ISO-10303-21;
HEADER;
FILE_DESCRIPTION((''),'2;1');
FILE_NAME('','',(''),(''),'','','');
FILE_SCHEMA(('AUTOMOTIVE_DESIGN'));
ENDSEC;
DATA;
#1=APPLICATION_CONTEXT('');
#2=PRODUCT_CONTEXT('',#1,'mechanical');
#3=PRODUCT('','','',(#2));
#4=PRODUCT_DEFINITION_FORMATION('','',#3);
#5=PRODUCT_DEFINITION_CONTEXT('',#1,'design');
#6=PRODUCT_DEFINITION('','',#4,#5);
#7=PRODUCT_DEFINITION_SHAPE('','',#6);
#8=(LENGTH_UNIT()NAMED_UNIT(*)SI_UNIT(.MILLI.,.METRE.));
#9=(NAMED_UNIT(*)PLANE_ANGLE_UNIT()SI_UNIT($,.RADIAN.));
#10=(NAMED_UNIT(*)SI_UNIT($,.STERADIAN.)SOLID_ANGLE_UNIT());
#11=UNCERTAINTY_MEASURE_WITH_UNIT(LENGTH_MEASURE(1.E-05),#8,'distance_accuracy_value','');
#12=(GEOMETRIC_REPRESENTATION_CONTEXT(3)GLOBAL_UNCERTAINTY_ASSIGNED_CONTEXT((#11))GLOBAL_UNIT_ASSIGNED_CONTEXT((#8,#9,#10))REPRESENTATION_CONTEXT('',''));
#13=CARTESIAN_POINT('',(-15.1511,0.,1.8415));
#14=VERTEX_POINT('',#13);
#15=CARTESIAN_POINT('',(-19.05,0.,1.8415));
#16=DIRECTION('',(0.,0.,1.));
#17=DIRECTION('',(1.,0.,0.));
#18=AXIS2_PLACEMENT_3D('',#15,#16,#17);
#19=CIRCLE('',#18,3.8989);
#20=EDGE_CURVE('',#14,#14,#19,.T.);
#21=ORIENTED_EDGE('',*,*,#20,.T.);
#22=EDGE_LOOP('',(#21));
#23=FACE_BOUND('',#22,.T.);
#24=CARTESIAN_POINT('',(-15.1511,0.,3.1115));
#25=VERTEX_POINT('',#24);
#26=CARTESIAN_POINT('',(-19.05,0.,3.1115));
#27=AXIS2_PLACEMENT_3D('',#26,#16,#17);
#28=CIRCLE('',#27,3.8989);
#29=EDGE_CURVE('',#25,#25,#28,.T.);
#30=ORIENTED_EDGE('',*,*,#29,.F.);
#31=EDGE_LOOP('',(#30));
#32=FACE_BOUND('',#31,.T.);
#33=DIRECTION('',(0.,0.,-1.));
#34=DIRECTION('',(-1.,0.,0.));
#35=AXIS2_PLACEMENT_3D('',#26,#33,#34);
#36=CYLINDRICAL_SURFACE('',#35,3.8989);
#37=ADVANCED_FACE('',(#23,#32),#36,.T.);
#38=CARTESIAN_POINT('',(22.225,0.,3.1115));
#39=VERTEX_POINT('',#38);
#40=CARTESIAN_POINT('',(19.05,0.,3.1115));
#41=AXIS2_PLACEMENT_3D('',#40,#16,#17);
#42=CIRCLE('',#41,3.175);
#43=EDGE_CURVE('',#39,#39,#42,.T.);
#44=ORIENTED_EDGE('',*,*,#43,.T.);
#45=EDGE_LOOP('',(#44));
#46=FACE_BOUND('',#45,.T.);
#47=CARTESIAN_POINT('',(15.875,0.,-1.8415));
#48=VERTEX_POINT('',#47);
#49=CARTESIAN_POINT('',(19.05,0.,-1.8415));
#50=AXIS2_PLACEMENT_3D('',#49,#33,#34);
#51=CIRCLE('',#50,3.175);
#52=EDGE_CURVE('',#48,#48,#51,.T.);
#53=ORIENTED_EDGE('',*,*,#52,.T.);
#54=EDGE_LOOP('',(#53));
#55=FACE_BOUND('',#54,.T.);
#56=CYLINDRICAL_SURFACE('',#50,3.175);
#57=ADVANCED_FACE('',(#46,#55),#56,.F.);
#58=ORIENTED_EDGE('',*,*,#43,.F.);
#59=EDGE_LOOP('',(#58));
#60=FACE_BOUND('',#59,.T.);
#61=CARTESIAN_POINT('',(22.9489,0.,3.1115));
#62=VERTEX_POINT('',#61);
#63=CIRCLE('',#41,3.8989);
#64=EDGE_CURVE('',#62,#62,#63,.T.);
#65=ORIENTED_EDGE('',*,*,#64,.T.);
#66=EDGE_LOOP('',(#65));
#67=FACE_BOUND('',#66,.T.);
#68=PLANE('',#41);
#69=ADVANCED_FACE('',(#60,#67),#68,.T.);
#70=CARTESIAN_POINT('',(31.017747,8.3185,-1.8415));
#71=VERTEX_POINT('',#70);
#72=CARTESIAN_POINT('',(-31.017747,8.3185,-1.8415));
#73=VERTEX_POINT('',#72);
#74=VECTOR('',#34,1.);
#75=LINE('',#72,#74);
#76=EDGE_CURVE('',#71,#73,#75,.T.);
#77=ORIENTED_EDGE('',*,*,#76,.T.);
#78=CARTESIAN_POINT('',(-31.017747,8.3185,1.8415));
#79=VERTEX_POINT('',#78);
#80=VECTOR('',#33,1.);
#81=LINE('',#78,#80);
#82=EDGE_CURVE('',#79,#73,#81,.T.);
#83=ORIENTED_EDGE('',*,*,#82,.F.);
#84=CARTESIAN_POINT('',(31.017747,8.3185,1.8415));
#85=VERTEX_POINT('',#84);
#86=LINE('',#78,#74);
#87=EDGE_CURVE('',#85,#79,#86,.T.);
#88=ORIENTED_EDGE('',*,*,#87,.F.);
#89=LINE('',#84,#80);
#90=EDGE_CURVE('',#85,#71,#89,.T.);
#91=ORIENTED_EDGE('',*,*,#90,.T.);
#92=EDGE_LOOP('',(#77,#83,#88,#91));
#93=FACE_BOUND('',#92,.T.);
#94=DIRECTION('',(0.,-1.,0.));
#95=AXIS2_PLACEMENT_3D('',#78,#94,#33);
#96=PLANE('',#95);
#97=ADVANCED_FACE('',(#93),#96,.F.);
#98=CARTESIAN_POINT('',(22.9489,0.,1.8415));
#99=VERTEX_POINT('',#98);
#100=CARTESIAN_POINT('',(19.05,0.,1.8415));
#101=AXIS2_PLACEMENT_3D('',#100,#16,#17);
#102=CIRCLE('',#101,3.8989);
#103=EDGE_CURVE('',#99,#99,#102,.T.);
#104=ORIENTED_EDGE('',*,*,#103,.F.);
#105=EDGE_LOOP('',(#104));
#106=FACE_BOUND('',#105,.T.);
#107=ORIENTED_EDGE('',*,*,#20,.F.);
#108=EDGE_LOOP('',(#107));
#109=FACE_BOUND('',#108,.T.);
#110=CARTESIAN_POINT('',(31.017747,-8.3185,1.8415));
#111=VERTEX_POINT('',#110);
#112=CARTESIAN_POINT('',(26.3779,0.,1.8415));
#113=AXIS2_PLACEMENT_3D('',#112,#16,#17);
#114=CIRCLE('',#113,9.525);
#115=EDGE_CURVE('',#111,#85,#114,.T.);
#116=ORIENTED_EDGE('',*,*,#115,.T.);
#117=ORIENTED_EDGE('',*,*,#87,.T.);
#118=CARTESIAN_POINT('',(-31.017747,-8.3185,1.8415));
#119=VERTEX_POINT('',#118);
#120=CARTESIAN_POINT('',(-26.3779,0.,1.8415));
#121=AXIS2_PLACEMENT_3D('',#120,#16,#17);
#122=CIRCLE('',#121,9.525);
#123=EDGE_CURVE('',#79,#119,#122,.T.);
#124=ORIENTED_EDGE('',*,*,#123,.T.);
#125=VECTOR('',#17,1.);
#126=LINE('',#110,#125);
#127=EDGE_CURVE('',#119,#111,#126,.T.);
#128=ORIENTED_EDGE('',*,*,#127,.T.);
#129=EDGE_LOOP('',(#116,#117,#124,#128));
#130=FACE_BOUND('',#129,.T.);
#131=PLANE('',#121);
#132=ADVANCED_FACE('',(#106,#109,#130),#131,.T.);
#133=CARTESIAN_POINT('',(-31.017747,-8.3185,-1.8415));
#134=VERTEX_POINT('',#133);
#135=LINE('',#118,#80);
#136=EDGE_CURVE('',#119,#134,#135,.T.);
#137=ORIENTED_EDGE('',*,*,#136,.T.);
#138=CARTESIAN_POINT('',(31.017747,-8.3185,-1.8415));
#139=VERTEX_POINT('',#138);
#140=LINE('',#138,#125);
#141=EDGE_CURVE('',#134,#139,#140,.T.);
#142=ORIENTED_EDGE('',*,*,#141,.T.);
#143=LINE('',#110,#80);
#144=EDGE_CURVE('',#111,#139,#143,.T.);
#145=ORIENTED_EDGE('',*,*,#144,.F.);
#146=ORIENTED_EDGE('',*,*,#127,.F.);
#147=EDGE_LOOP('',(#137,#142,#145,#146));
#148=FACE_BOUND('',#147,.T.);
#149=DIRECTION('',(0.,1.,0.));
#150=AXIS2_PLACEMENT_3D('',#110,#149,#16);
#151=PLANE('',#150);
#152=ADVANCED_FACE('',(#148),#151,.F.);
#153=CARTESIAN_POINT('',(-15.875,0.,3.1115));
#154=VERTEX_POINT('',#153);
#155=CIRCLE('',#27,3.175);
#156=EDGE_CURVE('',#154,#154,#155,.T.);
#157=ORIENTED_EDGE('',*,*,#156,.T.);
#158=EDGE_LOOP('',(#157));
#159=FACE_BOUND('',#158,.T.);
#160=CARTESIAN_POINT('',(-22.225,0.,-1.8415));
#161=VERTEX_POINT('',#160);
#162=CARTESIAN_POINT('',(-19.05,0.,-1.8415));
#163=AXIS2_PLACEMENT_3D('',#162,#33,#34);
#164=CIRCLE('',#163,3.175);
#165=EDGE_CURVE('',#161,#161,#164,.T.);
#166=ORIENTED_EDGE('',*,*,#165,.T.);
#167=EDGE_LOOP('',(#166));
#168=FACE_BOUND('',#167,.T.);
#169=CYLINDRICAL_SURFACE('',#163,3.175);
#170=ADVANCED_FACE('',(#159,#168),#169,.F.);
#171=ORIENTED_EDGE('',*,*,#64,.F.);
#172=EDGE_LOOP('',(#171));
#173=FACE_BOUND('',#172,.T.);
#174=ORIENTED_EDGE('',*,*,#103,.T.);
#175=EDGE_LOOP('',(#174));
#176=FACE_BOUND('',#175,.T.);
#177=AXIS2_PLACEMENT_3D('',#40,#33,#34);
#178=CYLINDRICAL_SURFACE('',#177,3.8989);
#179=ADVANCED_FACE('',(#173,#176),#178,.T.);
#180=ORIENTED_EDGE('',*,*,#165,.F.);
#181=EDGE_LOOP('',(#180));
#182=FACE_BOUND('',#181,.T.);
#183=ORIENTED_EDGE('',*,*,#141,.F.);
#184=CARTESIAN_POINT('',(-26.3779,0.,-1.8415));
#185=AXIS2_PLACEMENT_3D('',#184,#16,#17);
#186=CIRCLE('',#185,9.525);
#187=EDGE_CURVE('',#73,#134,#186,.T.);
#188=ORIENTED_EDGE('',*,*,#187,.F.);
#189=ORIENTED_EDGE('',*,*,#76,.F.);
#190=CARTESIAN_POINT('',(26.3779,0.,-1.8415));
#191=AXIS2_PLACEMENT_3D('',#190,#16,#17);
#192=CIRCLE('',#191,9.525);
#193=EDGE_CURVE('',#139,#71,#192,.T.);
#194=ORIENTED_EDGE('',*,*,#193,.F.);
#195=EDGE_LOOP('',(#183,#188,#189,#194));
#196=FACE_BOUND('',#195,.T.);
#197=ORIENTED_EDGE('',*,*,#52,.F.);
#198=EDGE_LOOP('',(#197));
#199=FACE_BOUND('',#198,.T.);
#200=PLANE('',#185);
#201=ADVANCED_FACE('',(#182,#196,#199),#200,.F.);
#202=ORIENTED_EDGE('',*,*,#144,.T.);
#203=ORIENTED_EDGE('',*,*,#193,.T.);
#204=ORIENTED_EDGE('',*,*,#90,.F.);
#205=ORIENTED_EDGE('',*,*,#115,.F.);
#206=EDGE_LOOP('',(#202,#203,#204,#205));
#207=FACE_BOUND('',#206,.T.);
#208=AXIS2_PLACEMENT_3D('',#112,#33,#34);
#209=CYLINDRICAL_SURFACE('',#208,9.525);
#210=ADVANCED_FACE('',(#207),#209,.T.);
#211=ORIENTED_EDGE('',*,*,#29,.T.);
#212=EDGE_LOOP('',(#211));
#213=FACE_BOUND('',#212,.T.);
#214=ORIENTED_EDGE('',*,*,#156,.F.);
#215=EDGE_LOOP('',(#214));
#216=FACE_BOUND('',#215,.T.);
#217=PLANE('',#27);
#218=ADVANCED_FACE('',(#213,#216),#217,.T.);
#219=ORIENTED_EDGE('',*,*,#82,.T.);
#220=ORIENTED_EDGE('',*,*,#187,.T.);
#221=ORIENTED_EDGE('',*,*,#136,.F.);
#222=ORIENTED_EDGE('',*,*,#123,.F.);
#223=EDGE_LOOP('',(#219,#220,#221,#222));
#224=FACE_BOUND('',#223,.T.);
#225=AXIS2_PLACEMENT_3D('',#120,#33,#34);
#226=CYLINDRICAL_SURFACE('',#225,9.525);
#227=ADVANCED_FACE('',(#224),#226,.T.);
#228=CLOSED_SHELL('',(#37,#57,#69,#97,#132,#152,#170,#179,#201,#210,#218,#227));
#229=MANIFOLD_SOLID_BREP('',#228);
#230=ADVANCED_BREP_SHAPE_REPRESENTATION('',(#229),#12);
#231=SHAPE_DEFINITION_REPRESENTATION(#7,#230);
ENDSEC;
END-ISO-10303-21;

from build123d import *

# Parameters (mm, degrees)
BOSS_EXTRUDE1_DEPTH               = 1.8415
SKETCH2_R                         = 3.8989
BOSS_EXTRUDE2_DEPTH               = 1.27
F_1_4_20_TAPPED_HOLE1_D           = 5.1054
F_1_4_20_TAPPED_HOLE1_DEPTH       = 16.51
F_1_4_20_TAPPED_HOLE1_CBORE_D     = 6.35
F_1_4_20_TAPPED_HOLE1_CBORE_DEPTH = 12.7
F_1_4_20_TAPPED_HOLE1_TIP         = 1.533816902


with BuildPart() as part:
    # Sketch1 → Boss-Extrude1 (new, symmetric)
    with BuildSketch(Plane.XY):
        with BuildLine():
            Line((-31.017747277, 8.3185), (31.017747277, 8.3185))
            ThreePointArc((31.017747277, 8.3185), (35.9029, 0), (31.017747277, -8.3185))
            Line((31.017747277, -8.3185), (-31.017747277, -8.3185))
            ThreePointArc((-31.017747277, -8.3185), (-35.9029, 0), (-31.017747277, 8.3185))
        make_face()
    extrude(amount=BOSS_EXTRUDE1_DEPTH, both=True)

    # Sketch2 → Boss-Extrude2 (add)
    with BuildSketch(Plane.XY.offset(1.8415)):
        with Locations((19.05, 0)):
            Circle(SKETCH2_R)
        with Locations((-19.05, 0)):
            Circle(SKETCH2_R)
    extrude(amount=BOSS_EXTRUDE2_DEPTH)

    # 1/4-20 Tapped Hole1
    with Locations(Plane(origin=(0, 0, -1.8415), x_dir=(-1, 0, 0), z_dir=(0, 0, -1))):
        with Locations((19.05, 0), (-19.05, 0)):
            CounterBoreHole(F_1_4_20_TAPPED_HOLE1_D / 2, F_1_4_20_TAPPED_HOLE1_CBORE_D / 2, F_1_4_20_TAPPED_HOLE1_CBORE_DEPTH, depth=F_1_4_20_TAPPED_HOLE1_DEPTH)
            with Locations((0, 0, -(F_1_4_20_TAPPED_HOLE1_DEPTH + F_1_4_20_TAPPED_HOLE1_TIP / 2))):  # 118° drill point
                Cone(0, F_1_4_20_TAPPED_HOLE1_D / 2, F_1_4_20_TAPPED_HOLE1_TIP, mode=Mode.SUBTRACT)


solid = part.part
